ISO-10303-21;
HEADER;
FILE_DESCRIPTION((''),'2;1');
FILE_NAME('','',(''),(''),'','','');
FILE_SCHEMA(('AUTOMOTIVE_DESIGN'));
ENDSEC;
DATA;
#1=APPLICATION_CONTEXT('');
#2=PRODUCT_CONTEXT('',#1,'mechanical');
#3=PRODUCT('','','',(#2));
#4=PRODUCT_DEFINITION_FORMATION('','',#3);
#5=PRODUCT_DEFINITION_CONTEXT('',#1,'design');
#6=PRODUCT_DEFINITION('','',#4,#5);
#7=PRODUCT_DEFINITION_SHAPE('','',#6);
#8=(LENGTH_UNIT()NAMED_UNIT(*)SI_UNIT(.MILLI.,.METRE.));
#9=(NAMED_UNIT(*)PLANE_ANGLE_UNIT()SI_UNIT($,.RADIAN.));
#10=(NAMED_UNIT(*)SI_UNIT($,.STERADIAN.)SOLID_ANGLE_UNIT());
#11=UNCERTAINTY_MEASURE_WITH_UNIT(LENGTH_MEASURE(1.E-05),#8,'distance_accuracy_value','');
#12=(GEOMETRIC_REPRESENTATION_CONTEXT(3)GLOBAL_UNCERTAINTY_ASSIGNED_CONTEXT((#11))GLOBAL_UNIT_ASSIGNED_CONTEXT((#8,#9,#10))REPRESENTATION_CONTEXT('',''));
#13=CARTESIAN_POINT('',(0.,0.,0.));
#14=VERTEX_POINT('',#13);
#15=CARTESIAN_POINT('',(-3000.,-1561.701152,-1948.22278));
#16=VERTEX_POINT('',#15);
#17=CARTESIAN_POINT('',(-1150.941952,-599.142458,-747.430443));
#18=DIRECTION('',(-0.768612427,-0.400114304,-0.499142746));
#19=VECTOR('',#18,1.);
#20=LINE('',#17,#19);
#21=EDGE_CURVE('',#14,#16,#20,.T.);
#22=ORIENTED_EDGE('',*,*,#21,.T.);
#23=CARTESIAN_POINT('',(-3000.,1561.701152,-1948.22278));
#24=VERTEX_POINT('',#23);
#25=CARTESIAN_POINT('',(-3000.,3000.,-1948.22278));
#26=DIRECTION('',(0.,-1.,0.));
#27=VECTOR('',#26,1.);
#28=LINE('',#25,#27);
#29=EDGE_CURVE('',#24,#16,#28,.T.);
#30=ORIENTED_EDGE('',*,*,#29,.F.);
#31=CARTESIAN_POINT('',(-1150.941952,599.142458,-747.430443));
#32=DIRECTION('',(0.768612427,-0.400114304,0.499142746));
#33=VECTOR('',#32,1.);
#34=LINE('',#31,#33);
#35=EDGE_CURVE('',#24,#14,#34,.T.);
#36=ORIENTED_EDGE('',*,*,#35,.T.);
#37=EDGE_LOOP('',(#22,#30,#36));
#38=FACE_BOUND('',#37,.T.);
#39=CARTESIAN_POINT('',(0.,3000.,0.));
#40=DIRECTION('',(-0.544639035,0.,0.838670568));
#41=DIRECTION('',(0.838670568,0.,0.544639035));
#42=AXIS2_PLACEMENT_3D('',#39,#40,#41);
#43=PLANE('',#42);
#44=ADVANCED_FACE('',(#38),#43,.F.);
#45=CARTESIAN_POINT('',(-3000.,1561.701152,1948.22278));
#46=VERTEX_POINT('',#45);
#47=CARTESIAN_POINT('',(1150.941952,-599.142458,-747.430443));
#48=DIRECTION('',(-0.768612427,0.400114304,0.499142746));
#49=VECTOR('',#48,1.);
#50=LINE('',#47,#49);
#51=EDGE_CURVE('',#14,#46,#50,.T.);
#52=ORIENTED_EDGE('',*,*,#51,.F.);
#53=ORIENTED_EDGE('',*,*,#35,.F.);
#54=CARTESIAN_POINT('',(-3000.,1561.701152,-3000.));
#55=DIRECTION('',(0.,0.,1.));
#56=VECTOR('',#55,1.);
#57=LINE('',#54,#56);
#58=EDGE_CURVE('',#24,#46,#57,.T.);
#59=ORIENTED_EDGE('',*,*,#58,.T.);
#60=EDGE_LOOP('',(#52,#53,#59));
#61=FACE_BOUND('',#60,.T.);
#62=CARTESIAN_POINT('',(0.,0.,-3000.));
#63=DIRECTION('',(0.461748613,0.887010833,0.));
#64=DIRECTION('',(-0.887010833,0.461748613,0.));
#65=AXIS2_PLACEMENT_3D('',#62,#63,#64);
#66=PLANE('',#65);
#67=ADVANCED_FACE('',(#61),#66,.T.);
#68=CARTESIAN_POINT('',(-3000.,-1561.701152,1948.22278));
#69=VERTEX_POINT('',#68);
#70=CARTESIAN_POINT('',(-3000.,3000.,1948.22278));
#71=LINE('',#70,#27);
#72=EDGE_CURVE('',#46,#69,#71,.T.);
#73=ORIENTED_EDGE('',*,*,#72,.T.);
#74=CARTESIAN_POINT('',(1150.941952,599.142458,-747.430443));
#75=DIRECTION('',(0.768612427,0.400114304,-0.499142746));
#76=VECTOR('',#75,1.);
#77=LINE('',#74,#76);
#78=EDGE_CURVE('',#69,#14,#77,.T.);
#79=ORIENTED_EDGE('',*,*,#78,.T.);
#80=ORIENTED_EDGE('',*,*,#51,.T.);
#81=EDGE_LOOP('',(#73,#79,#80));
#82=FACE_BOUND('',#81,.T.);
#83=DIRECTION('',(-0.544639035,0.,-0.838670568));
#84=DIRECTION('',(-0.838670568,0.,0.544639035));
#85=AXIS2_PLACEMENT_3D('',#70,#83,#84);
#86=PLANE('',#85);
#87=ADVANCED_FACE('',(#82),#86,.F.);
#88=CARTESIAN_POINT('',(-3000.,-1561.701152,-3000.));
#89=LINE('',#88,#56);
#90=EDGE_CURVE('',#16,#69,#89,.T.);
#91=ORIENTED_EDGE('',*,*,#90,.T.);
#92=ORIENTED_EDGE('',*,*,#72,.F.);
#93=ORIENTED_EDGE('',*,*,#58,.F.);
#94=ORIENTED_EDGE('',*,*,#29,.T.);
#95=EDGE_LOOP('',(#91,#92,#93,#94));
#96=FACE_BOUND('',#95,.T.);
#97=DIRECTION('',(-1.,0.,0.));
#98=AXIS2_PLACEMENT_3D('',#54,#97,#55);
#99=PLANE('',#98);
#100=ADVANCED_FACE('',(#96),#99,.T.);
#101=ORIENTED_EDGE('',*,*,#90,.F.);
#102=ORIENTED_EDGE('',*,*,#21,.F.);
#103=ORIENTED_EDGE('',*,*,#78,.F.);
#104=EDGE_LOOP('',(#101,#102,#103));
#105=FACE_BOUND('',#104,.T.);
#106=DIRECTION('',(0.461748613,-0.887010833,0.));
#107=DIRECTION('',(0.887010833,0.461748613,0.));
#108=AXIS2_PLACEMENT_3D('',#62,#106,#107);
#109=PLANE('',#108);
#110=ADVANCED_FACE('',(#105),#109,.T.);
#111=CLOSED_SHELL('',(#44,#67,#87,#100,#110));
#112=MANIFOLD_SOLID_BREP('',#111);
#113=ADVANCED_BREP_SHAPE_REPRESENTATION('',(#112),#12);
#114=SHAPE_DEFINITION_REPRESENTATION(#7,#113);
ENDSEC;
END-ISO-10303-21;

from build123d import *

# Parameters (mm, degrees)
BOSS_EXTRUDE1_DEPTH      = 3000
BOSS_EXTRUDE1_DEPTH_BACK = 3000
CUT_EXTRUDE1_DEPTH       = 3000
CUT_EXTRUDE1_DEPTH_BACK  = 3000
SKETCH2_OUTSIDE_W        = 4481.942
SKETCH2_OUTSIDE_H        = 7481.942


with BuildPart() as part:
    # Sketch1 → Boss-Extrude1 (new, two sides: drawn at the far end of the back side and taken through both)
    with BuildSketch(Plane.XY.offset(-BOSS_EXTRUDE1_DEPTH_BACK)):
        Polygon((0, 0), (-3000, 1561.701151655), (-3000, -1561.701151655), align=None)
    extrude(amount=BOSS_EXTRUDE1_DEPTH + BOSS_EXTRUDE1_DEPTH_BACK)

    # Sketch2 outside → Cut-Extrude1 (cut, two sides: drawn at the far end of the back side and taken through both)
    with BuildSketch(Plane(origin=(0, 0, 0), x_dir=(1, 0, 0), z_dir=(0, 1, 0)).offset(-CUT_EXTRUDE1_DEPTH_BACK)):
        with Locations((-1500, 0)):
            Rectangle(SKETCH2_OUTSIDE_W, SKETCH2_OUTSIDE_H)
        Polygon((0, 0), (-3000, 1948.222779593), (-3000, -1948.222779593), align=None, mode=Mode.SUBTRACT)
    extrude(amount=CUT_EXTRUDE1_DEPTH + CUT_EXTRUDE1_DEPTH_BACK, mode=Mode.SUBTRACT)


solid = part.part
